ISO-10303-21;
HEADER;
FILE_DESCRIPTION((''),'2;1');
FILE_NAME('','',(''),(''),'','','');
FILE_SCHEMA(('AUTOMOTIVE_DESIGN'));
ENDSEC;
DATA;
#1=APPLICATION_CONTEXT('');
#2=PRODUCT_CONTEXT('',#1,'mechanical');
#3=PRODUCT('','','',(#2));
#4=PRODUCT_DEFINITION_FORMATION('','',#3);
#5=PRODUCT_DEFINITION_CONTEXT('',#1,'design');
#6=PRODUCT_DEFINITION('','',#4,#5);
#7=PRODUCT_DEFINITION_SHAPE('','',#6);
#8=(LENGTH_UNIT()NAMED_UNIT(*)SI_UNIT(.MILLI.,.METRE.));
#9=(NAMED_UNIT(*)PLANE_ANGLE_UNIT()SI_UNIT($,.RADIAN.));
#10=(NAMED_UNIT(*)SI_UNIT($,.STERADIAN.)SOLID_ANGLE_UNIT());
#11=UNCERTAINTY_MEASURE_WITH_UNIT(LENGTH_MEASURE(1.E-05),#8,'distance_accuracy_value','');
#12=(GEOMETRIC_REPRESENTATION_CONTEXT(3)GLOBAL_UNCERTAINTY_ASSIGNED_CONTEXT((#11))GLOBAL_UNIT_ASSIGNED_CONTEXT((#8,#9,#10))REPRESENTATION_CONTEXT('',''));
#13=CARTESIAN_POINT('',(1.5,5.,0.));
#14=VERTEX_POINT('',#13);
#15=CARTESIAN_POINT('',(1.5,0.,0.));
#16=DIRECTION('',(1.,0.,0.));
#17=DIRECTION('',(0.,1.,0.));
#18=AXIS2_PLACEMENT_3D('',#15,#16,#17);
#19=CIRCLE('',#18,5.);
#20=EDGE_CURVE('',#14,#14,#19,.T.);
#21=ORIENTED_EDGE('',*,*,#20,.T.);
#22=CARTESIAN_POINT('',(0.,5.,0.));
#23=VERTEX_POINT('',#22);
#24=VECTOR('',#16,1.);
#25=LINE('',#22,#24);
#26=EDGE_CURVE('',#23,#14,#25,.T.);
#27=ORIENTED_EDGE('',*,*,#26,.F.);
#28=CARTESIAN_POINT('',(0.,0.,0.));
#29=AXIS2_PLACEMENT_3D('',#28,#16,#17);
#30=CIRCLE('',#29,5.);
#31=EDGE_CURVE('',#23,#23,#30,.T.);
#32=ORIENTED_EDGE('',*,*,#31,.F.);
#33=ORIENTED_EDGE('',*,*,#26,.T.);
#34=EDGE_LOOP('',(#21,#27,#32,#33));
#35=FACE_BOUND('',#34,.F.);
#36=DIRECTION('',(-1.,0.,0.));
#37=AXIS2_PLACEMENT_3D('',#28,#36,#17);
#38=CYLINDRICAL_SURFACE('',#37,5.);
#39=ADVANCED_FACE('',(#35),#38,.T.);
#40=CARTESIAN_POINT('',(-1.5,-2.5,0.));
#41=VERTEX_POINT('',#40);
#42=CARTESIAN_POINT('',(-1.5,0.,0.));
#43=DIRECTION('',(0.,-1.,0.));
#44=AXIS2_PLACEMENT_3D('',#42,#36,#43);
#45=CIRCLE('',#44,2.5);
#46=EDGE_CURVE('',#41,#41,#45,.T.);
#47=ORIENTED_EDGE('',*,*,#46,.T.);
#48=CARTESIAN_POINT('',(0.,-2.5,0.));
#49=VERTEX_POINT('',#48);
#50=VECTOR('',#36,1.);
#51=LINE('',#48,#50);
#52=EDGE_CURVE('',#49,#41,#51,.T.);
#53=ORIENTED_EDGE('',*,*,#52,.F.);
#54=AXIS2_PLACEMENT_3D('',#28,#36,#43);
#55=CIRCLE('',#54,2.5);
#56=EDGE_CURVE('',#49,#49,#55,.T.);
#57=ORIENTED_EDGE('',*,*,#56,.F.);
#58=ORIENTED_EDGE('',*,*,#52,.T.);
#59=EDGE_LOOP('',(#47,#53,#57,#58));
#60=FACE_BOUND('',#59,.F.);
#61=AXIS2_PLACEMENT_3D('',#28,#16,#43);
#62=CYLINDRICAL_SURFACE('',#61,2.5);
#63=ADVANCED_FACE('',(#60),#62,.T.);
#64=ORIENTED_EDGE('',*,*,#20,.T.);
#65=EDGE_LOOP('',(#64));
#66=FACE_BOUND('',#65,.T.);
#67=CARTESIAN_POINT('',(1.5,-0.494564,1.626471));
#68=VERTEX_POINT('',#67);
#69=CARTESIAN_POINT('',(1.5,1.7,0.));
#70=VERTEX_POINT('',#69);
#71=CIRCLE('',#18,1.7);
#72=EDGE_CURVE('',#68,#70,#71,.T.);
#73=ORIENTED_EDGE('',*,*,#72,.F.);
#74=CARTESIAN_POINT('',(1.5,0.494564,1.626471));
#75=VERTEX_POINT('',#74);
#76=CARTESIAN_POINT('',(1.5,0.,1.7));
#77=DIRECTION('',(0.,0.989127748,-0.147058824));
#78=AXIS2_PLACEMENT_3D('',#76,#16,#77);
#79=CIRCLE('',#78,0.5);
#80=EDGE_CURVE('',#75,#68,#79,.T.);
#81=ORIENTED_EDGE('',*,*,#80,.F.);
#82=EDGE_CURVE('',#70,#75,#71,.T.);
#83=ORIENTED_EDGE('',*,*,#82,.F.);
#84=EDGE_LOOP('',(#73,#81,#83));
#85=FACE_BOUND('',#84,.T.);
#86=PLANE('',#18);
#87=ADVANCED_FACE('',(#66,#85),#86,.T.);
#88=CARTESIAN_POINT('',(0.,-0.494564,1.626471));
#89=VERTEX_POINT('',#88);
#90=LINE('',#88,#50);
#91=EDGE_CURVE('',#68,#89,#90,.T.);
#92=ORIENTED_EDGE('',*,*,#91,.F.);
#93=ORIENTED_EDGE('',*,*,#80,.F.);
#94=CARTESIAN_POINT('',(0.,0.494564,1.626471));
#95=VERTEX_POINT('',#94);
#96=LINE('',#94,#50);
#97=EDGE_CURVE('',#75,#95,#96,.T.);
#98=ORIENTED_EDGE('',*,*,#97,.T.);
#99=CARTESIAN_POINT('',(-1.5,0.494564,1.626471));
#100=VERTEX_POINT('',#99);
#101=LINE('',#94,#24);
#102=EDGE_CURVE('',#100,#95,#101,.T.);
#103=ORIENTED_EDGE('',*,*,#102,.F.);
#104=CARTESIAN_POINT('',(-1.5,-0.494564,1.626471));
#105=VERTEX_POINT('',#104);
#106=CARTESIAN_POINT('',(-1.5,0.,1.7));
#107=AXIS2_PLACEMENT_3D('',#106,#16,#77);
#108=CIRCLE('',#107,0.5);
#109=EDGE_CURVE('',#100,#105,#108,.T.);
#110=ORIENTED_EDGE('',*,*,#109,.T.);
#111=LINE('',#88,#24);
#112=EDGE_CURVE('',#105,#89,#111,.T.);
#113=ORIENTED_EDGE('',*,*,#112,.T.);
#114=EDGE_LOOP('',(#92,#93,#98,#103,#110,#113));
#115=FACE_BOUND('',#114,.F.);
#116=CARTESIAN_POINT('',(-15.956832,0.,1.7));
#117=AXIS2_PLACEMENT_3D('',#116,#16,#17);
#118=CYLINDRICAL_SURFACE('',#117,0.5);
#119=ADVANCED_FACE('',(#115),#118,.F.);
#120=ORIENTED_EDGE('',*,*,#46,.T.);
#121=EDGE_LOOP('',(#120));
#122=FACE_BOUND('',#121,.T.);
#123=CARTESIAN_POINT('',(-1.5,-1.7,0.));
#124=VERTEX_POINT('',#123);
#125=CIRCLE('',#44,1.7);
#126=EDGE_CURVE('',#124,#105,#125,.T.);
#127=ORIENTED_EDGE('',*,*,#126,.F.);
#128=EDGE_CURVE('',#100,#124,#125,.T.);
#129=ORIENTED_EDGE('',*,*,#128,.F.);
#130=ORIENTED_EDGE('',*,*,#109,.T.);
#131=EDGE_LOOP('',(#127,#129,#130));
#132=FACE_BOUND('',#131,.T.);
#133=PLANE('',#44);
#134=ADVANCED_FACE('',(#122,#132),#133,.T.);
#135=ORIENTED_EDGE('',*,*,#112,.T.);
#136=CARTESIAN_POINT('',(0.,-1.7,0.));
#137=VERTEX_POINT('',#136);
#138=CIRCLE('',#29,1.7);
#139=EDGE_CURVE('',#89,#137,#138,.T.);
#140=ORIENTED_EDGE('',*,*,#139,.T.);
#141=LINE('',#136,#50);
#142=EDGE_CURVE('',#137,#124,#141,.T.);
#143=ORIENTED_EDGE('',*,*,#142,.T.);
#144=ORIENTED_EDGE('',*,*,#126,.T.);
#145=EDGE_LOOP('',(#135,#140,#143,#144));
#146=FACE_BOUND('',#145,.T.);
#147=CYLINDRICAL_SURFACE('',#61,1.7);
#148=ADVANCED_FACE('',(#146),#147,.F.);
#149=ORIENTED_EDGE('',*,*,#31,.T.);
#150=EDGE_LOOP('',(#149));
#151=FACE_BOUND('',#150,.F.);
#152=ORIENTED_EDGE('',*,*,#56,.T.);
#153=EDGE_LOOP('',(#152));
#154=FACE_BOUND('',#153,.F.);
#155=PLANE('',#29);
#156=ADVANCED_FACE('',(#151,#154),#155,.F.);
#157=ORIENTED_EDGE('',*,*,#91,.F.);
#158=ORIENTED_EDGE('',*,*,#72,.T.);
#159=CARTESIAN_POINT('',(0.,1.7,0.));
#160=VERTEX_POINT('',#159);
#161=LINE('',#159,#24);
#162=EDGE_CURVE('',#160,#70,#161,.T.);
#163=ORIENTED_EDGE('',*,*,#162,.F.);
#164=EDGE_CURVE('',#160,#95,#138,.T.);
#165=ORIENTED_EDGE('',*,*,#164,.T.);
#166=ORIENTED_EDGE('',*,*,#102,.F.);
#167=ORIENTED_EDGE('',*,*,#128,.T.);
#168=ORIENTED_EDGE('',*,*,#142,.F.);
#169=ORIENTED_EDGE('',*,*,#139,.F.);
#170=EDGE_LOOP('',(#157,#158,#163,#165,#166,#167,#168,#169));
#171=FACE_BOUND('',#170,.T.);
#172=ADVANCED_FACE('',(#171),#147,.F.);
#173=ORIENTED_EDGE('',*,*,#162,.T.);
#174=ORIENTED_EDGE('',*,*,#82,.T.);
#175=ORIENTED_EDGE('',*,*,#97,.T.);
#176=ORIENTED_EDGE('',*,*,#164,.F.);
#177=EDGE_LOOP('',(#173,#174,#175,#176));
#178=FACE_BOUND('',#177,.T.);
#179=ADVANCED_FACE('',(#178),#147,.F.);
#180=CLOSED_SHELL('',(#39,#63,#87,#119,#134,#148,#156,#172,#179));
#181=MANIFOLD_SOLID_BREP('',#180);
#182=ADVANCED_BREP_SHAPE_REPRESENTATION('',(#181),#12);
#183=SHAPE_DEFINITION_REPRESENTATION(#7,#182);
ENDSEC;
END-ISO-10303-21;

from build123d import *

# Parameters (mm, degrees)
F0_R     = 5
F0_R_2   = 1.7
F1_DEPTH = 1.5
F2_R     = 2.5
F2_R_2   = 1.7
F3_DEPTH = 1.5
F5_D     = 1


with BuildPart() as f1:
    # F0 (on Right) → F1 (new body)
    with BuildSketch(Plane.YZ):
        Circle(F0_R)
        Circle(F0_R_2, mode=Mode.SUBTRACT)
    extrude(amount=F1_DEPTH)

    # F2 (on face) → F3 (join)
    with BuildSketch(Plane(origin=(0, 0, 0), x_dir=(0, -1, 0), z_dir=(-1, 0, 0))):
        Circle(F2_R)
        Circle(F2_R_2, mode=Mode.SUBTRACT)
    extrude(amount=F3_DEPTH)

    # F5 (through all)
    with Locations(Plane(origin=(-1.5, 0, 0), x_dir=(0, -1, 0), z_dir=(-1, 0, 0))):
        with Locations((0, 1.7)):
            Hole(F5_D / 2)


solid = f1.part
